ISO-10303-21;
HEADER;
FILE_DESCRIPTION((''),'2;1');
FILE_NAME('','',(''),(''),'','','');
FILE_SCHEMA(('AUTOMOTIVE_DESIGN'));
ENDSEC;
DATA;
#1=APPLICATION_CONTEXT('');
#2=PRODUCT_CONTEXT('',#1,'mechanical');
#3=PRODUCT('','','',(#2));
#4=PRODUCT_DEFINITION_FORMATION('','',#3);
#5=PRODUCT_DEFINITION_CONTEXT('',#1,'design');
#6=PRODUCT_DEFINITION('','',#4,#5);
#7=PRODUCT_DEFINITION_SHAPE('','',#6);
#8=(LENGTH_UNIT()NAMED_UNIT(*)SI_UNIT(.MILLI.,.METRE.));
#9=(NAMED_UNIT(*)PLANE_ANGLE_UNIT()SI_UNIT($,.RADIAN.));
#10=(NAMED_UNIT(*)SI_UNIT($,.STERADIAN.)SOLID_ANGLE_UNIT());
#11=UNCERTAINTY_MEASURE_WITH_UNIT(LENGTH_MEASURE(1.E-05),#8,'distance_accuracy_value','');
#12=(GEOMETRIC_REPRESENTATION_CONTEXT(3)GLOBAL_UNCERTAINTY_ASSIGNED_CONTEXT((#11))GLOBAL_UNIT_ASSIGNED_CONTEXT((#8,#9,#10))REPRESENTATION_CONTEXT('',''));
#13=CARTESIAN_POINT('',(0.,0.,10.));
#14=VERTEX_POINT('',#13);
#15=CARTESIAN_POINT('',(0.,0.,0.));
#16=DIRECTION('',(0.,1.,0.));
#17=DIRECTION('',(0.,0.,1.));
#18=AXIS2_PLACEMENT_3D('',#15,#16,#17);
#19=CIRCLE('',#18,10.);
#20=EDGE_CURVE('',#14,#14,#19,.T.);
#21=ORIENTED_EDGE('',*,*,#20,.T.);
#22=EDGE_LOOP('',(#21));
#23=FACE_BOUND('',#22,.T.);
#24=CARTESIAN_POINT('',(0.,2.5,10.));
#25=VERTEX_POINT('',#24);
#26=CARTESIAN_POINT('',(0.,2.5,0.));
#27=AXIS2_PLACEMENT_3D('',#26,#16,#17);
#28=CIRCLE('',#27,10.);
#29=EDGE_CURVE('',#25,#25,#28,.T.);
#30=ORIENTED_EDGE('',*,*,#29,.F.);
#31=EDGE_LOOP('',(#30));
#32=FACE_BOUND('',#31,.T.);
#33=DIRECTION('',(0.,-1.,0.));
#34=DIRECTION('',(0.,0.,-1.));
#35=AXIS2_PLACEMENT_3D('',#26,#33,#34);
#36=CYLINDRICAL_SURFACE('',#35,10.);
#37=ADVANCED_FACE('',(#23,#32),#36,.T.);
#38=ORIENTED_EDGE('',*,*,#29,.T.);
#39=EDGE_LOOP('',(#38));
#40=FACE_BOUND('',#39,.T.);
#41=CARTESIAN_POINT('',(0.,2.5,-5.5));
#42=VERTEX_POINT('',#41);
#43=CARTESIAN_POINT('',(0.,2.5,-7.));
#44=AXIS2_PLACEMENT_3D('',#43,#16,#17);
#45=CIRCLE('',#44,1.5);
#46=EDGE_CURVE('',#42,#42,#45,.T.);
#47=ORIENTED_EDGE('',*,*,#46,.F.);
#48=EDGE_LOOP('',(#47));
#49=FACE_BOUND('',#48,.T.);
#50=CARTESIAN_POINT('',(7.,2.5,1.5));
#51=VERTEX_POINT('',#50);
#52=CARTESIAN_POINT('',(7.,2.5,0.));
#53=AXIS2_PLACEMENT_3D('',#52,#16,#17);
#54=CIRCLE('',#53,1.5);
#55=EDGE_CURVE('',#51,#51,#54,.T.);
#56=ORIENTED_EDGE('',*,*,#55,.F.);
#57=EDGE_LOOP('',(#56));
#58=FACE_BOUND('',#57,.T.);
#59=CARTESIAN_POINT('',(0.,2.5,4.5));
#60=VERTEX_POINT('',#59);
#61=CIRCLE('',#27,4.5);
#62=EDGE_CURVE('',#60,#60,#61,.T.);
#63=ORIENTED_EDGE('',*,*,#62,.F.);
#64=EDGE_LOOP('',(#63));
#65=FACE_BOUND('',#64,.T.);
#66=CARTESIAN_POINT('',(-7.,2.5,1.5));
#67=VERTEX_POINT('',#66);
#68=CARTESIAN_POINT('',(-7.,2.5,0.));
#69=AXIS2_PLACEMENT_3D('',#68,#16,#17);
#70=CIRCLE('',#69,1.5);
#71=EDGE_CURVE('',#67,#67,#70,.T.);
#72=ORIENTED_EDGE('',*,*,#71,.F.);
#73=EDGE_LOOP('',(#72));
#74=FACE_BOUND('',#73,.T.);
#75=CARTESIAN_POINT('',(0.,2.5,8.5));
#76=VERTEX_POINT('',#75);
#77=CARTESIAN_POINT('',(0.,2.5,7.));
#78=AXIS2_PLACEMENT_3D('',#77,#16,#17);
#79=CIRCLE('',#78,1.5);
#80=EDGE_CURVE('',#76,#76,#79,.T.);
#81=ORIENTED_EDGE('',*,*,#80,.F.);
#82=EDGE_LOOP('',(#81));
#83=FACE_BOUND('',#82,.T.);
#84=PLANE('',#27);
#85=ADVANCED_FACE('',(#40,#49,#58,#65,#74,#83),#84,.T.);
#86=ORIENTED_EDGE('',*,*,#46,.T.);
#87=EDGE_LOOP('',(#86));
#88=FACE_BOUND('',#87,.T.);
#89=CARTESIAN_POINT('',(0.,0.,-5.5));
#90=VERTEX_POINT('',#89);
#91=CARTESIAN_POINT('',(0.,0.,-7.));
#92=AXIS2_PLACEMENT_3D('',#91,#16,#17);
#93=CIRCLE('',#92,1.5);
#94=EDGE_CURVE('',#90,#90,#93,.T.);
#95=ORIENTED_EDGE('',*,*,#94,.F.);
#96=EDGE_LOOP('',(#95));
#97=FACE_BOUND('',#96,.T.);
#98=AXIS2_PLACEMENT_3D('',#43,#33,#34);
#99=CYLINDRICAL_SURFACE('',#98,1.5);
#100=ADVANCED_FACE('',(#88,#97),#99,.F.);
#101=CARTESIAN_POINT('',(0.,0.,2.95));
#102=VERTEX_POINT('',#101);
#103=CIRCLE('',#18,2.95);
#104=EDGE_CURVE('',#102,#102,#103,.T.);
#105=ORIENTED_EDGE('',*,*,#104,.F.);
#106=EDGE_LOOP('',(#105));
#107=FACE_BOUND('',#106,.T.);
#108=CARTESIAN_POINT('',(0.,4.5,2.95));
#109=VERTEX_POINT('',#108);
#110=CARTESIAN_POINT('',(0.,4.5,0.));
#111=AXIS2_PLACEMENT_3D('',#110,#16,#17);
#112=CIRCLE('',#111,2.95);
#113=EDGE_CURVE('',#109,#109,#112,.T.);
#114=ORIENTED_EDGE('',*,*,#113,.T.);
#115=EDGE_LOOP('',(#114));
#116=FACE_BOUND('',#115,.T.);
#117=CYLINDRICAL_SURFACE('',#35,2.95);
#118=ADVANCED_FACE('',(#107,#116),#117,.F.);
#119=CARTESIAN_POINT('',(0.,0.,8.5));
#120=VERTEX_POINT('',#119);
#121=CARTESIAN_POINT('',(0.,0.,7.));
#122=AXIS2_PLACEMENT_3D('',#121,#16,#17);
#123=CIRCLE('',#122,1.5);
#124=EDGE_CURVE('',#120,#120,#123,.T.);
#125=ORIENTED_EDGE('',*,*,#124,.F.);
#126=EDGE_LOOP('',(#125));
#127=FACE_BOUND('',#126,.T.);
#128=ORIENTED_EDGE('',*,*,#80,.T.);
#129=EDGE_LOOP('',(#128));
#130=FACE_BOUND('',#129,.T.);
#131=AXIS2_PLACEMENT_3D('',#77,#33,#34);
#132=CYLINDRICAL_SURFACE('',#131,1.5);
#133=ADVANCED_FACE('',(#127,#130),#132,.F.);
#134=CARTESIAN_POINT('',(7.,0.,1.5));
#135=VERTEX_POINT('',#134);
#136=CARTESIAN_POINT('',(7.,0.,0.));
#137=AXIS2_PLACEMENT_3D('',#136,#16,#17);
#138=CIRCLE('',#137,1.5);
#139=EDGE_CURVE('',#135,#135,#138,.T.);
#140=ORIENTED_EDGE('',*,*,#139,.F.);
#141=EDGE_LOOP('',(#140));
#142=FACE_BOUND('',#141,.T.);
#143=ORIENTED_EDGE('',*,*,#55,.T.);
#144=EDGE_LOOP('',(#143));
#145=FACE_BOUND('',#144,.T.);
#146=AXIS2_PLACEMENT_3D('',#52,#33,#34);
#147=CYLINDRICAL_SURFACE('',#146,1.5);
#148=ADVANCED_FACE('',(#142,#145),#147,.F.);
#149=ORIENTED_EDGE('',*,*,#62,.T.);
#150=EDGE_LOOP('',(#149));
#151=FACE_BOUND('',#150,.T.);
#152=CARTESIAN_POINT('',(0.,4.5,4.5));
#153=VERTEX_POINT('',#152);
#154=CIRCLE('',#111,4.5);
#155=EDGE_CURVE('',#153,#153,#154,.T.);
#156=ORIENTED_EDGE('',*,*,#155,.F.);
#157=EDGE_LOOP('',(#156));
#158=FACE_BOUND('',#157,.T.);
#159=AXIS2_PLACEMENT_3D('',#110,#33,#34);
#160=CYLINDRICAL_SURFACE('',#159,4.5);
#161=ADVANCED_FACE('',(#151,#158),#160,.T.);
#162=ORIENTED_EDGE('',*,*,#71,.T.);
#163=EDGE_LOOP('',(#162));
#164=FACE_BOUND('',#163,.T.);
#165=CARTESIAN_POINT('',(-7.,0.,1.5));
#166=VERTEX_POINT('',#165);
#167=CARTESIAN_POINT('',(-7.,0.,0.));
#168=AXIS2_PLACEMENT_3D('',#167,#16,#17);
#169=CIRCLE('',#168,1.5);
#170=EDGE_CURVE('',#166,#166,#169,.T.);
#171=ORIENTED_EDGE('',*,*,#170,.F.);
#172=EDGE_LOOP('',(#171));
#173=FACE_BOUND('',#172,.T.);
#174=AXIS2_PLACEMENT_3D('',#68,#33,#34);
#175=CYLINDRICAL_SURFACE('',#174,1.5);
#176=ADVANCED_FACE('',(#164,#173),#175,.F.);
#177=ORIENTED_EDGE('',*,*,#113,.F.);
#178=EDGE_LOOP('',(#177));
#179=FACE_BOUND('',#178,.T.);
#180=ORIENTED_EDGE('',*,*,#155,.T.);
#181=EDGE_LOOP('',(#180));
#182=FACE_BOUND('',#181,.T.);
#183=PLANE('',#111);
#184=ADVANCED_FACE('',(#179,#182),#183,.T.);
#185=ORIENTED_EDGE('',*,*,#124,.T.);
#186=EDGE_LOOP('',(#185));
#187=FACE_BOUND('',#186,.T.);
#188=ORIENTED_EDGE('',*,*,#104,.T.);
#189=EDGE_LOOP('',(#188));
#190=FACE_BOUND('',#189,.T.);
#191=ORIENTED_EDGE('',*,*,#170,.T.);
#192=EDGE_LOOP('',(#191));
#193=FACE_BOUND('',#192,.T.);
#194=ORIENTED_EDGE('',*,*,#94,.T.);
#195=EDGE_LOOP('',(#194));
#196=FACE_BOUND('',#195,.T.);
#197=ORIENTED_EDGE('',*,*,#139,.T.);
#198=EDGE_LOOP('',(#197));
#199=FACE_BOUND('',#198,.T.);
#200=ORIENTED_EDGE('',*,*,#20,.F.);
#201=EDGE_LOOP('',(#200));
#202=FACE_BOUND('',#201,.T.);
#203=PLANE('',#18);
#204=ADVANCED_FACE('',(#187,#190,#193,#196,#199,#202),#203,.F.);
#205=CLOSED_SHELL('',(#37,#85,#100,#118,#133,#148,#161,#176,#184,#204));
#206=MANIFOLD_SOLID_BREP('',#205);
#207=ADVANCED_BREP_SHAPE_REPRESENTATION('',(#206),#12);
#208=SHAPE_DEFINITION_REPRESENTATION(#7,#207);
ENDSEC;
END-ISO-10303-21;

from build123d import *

# Parameters (mm, degrees)
SKETCH_1_R      = 10
SKETCH_1_R_2    = 1.5
SKETCH_1_R_3    = 2.95
EXTRUDE_1_DEPTH = 2.5
SKETCH_2_R      = 4.5
SKETCH_2_R_2    = 2.95
EXTRUDE_2_DEPTH = 2


with BuildPart() as part:
    # Эскиз1 → Бобышка-Вытянуть1 (new body)
    with BuildSketch(Plane(origin=(0, 0, 0), x_dir=(1, 0, 0), z_dir=(0, 1, 0))):
        Circle(SKETCH_1_R)
        with Locations((-7, 0)):
            Circle(SKETCH_1_R_2, mode=Mode.SUBTRACT)
        with Locations((0, 7)):
            Circle(SKETCH_1_R_2, mode=Mode.SUBTRACT)
        with Locations((0, -7)):
            Circle(SKETCH_1_R_2, mode=Mode.SUBTRACT)
        with Locations((7, 0)):
            Circle(SKETCH_1_R_2, mode=Mode.SUBTRACT)
        Circle(SKETCH_1_R_3, mode=Mode.SUBTRACT)
    extrude(amount=EXTRUDE_1_DEPTH)

    # Эскиз2 → Бобышка-Вытянуть2 (add)
    with BuildSketch(Plane(origin=(0, 2.5, 0), x_dir=(1, 0, 0), z_dir=(0, 1, 0))):
        Circle(SKETCH_2_R)
        Circle(SKETCH_2_R_2, mode=Mode.SUBTRACT)
    extrude(amount=EXTRUDE_2_DEPTH)


solid = part.part
